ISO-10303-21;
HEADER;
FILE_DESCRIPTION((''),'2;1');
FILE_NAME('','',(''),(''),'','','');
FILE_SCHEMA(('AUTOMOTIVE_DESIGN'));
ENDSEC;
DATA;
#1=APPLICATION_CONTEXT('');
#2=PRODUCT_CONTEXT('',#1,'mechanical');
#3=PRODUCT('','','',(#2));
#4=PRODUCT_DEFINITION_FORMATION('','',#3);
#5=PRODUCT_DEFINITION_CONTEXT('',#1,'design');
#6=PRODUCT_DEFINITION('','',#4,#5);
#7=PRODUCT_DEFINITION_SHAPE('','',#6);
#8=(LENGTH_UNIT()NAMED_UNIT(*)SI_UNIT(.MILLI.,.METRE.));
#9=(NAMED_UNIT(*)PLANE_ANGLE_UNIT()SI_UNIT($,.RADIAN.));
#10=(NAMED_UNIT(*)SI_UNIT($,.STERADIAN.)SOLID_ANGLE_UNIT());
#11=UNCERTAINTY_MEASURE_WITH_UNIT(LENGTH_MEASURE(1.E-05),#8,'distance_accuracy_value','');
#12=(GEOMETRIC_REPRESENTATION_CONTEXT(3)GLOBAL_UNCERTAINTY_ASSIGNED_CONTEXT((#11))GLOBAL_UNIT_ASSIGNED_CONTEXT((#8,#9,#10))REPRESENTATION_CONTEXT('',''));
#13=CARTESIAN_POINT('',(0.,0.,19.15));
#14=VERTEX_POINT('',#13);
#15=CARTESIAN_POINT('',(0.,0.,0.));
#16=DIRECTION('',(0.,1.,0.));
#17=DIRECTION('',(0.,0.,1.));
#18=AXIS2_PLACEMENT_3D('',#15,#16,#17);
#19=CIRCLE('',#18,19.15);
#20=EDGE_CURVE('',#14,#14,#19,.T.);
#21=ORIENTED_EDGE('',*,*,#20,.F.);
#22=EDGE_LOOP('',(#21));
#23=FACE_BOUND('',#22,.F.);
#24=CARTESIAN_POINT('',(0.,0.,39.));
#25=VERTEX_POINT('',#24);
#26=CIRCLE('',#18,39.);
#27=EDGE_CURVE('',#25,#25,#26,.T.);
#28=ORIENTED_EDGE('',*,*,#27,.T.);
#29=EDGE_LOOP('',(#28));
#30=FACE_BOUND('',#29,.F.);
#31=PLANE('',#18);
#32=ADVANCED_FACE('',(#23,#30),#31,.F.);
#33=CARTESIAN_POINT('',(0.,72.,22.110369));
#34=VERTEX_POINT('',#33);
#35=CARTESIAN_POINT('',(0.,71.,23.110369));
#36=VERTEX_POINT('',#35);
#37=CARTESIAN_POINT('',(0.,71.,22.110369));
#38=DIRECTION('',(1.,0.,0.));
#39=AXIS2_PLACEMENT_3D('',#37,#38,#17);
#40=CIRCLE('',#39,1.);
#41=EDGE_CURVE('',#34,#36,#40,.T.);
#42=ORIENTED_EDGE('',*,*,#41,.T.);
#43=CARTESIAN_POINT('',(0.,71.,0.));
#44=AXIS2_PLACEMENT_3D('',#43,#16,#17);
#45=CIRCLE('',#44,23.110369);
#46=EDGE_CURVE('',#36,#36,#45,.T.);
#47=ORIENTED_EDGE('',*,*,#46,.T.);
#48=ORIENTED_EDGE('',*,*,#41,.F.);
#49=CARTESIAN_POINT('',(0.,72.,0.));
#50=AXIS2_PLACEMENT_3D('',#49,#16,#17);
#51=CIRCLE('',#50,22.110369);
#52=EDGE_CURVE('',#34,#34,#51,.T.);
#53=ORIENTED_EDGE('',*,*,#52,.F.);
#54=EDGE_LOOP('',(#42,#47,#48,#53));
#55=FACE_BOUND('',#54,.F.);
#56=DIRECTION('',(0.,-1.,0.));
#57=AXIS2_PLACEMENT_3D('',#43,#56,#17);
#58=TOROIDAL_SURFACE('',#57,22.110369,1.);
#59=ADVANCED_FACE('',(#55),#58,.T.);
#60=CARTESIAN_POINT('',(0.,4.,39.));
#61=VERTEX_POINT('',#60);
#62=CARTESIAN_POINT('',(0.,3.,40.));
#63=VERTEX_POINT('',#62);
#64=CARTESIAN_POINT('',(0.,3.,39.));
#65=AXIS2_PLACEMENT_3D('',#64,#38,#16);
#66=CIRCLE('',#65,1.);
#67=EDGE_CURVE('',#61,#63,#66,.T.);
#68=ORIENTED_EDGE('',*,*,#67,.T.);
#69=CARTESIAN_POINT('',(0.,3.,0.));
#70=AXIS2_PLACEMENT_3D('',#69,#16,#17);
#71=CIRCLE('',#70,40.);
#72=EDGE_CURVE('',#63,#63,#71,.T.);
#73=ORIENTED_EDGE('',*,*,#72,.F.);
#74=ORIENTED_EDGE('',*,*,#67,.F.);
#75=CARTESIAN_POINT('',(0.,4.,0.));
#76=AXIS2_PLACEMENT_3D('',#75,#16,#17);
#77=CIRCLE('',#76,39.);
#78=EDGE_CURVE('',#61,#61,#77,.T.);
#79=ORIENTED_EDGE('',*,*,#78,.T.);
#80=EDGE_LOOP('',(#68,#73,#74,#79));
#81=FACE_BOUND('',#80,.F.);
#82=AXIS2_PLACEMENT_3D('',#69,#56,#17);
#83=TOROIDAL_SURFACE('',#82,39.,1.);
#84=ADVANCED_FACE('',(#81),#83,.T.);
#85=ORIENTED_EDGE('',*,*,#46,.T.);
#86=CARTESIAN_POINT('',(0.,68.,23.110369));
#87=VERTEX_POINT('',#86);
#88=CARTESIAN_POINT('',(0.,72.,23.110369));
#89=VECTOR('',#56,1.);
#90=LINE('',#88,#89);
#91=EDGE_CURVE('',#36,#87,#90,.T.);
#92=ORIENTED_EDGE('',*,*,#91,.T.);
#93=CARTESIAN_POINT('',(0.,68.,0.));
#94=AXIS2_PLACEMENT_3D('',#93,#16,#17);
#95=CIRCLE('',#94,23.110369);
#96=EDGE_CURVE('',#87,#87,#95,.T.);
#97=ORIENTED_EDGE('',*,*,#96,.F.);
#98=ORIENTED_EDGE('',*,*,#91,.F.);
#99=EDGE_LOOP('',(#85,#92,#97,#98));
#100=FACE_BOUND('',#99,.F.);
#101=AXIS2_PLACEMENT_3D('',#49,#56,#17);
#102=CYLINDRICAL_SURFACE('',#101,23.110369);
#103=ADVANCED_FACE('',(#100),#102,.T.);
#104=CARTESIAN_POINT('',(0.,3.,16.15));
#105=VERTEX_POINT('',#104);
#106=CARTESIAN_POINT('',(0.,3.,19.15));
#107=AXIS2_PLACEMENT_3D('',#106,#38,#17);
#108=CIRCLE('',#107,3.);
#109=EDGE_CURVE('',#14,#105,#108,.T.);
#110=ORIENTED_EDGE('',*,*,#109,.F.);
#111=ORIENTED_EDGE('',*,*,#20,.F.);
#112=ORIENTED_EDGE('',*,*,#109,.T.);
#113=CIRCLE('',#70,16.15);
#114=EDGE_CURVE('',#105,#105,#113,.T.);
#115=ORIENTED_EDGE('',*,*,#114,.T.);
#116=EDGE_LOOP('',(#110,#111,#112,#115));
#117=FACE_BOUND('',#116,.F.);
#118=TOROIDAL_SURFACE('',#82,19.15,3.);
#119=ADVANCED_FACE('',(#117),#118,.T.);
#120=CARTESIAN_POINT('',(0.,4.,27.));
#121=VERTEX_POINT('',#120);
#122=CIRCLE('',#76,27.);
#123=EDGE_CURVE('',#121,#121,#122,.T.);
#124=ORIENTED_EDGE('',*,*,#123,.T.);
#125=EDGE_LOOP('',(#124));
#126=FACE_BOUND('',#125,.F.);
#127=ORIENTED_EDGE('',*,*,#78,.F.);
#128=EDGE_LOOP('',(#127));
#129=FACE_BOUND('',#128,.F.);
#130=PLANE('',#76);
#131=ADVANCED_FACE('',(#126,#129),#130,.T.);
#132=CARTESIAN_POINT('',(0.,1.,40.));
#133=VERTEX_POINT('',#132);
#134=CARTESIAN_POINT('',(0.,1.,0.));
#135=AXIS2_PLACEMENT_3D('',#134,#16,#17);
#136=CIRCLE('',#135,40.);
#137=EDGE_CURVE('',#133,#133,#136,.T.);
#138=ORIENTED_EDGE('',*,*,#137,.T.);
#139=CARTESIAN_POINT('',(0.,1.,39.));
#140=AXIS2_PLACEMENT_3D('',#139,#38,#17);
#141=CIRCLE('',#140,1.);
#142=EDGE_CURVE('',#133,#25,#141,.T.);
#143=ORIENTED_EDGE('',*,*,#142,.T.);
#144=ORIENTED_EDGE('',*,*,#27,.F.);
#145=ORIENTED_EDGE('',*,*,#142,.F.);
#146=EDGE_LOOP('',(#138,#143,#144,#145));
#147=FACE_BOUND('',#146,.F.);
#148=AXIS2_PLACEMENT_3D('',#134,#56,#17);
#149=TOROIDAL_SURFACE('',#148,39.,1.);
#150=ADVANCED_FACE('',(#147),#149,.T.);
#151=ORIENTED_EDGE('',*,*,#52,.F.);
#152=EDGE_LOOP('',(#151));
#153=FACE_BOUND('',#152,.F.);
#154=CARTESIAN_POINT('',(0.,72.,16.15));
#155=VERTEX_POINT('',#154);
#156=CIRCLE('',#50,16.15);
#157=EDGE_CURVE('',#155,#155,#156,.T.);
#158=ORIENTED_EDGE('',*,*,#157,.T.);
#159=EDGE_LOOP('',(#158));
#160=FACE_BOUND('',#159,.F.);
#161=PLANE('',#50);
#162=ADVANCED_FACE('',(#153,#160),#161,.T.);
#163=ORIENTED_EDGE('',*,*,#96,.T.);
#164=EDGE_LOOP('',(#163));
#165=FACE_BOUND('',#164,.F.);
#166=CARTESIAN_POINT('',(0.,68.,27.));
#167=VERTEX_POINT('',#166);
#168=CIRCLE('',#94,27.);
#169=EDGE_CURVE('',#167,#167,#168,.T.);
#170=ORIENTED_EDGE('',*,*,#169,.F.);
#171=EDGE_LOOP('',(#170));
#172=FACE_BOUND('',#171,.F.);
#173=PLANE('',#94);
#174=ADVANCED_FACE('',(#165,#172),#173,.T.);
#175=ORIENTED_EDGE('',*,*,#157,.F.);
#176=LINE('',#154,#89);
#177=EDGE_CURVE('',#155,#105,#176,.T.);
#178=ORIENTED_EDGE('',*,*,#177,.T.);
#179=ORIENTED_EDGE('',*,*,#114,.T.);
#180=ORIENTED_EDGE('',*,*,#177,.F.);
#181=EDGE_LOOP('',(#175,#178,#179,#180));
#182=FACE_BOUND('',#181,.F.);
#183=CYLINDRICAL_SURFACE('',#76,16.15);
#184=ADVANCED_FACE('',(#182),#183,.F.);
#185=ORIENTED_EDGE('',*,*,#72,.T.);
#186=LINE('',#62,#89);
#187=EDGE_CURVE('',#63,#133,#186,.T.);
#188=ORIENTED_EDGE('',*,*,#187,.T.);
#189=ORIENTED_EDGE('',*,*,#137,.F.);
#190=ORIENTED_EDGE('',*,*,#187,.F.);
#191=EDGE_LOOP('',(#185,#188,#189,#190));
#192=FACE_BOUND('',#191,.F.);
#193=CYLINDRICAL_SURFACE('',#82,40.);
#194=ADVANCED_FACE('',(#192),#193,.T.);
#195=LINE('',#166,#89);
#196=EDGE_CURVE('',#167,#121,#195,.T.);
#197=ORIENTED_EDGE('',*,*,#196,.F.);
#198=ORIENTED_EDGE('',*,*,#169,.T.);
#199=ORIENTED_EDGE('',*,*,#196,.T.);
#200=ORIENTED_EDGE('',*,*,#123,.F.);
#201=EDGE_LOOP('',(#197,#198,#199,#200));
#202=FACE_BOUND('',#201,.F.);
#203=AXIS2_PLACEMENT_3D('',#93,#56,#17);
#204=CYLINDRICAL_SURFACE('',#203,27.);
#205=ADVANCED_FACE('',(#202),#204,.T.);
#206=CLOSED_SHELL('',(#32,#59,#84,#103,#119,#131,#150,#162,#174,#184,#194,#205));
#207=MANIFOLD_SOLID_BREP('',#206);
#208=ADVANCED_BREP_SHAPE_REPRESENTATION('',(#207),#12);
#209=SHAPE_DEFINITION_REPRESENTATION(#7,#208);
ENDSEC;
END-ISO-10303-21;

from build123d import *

# Parameters (mm, degrees)
F2_DEPTH = 4.001
F3_R     = 3
F4_R     = 1


with BuildPart() as f1:
    # F0 (on Right) → F1 (revolve)
    with BuildSketch(Plane.YZ):
        with BuildLine():
            Line((0, 39), (0, 0))
            Line((0, 0), (4, 0))
            Line((4, 0), (4, 16.15))
            Line((4, 16.15), (72, 16.15))
            Line((72, 16.15), (72, 23.1103692204))
            Line((72, 23.1103692204), (68, 23.1103692204))
            Line((68, 23.1103692204), (68, 27))
            Line((68, 27), (4, 27))
            Line((4, 27), (4, 39))
            ThreePointArc((4, 39), (3.7071067812, 39.7071067812), (3, 40))
            Line((3, 40), (1, 40))
            ThreePointArc((1, 40), (0.2928932188, 39.7071067812), (0, 39))
        make_face()
    revolve(axis=Axis((0, 36, 0), (0, 1, 0)))

    # F2 (cut, through all): a face of the model
    f2_faces = [f1.faces().sort_by_distance(p)[0] for p in [
        (0, 4, 0),
    ]]
    extrude(f2_faces, amount=-F2_DEPTH, mode=Mode.SUBTRACT)

    # F3
    f3_edges = [f1.edges().sort_by_distance(p)[0] for p in [
        (0, 0, -16.15),
    ]]
    fillet(f3_edges, radius=F3_R)

    # F4
    f4_edges = [f1.edges().sort_by_distance(p)[0] for p in [
        (0, 72, -23.110369),
    ]]
    fillet(f4_edges, radius=F4_R)


solid = f1.part
